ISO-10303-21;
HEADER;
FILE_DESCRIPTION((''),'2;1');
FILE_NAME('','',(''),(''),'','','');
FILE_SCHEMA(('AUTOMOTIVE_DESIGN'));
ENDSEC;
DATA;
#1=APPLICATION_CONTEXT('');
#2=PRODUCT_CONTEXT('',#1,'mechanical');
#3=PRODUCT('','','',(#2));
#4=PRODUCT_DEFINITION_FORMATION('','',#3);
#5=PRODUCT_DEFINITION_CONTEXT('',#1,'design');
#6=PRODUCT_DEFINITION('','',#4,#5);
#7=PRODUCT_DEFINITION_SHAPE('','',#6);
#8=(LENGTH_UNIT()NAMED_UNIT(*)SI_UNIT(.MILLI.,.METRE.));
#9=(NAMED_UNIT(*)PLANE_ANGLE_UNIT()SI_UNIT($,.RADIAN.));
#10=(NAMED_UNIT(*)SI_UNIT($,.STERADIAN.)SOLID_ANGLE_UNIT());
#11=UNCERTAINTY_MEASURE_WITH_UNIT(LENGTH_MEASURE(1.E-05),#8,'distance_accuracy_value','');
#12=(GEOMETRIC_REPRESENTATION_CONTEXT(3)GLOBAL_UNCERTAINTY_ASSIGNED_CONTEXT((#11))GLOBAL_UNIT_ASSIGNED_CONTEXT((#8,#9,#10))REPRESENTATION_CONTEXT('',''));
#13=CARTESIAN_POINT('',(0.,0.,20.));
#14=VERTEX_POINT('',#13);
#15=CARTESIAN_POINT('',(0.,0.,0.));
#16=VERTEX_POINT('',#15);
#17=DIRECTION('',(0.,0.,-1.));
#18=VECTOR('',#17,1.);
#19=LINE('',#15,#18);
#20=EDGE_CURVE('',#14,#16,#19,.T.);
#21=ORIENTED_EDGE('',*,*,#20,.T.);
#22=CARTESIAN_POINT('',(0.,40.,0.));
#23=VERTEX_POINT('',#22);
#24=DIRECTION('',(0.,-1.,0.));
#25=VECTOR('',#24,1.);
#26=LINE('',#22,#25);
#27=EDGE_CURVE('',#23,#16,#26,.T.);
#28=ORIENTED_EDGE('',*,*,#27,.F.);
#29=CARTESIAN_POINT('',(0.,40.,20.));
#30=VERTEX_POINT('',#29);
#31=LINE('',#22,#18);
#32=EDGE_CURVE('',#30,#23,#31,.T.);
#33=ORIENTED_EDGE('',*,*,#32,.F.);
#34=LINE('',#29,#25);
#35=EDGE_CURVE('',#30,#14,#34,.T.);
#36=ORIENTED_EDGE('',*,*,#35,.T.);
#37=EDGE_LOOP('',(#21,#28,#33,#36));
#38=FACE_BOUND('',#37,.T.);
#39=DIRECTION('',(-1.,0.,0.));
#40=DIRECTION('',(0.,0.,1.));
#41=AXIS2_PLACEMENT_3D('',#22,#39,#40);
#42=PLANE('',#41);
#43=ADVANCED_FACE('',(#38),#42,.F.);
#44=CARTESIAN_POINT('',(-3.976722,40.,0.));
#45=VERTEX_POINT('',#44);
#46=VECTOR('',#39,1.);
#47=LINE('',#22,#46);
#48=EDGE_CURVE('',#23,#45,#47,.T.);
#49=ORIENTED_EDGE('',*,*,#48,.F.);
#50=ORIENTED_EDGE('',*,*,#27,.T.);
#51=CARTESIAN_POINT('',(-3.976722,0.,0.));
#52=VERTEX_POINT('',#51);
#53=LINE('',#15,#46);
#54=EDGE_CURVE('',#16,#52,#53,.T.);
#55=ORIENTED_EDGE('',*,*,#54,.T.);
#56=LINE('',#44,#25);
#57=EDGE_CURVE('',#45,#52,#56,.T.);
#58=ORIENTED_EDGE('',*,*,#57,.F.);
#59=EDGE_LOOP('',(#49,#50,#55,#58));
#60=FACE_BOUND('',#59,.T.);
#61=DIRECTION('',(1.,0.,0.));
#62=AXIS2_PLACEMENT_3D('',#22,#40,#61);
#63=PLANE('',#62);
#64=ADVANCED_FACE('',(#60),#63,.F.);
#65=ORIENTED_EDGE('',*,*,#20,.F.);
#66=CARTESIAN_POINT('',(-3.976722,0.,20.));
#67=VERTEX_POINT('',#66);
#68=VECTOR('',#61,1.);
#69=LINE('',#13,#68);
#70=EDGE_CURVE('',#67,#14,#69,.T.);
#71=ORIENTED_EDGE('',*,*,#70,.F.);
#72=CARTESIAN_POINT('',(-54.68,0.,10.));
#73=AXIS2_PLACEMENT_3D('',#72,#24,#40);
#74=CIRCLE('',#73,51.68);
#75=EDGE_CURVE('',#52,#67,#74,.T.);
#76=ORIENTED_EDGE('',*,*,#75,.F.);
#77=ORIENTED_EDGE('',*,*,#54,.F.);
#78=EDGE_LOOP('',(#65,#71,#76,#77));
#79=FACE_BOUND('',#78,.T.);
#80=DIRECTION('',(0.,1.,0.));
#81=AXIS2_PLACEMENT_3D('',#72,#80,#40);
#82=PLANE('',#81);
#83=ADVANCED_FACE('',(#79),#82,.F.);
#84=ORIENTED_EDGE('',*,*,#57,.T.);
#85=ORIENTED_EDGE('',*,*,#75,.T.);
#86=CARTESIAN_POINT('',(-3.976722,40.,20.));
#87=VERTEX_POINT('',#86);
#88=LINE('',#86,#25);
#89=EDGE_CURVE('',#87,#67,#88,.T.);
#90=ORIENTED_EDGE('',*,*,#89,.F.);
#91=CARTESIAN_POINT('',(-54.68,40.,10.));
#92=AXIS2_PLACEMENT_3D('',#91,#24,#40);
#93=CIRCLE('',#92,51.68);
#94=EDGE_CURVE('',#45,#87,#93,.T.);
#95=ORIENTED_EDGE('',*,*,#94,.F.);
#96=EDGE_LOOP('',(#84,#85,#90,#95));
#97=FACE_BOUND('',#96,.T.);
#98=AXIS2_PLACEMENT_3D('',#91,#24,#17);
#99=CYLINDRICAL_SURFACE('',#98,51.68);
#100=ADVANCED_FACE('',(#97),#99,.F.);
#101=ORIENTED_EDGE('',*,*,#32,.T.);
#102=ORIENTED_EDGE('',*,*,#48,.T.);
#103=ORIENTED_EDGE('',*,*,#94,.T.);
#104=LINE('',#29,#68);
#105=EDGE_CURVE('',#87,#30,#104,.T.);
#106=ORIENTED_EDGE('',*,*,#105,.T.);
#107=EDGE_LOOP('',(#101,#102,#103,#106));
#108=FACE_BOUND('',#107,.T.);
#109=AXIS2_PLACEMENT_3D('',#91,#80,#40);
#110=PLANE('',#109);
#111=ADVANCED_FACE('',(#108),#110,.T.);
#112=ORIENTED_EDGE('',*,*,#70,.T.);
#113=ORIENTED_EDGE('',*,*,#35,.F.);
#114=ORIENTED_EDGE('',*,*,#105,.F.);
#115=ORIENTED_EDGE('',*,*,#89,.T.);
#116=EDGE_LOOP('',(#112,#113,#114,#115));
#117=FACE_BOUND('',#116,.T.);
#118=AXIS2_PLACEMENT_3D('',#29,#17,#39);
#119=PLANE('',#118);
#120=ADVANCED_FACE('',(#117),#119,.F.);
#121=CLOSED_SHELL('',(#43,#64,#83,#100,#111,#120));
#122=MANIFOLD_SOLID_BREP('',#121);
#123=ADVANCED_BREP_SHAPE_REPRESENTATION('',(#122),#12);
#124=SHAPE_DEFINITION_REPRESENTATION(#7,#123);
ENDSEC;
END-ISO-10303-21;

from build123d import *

# Parameters (mm, degrees)
EXTRUDE_1_DEPTH = 40


with BuildPart() as part:
    # 草图1 → 凸台-拉伸1 (new body)
    with BuildSketch(Plane(origin=(0, 0, 0), x_dir=(1, 0, 0), z_dir=(0, 1, 0))):
        with BuildLine():
            Line((0, 0), (0, -20))
            Line((0, -20), (-3.976721999, -20))
            ThreePointArc((-3.976721999, -20), (-3, -10), (-3.976721999, 0))
            Line((-3.976721999, 0), (0, 0))
        make_face()
    extrude(amount=EXTRUDE_1_DEPTH)


solid = part.part
